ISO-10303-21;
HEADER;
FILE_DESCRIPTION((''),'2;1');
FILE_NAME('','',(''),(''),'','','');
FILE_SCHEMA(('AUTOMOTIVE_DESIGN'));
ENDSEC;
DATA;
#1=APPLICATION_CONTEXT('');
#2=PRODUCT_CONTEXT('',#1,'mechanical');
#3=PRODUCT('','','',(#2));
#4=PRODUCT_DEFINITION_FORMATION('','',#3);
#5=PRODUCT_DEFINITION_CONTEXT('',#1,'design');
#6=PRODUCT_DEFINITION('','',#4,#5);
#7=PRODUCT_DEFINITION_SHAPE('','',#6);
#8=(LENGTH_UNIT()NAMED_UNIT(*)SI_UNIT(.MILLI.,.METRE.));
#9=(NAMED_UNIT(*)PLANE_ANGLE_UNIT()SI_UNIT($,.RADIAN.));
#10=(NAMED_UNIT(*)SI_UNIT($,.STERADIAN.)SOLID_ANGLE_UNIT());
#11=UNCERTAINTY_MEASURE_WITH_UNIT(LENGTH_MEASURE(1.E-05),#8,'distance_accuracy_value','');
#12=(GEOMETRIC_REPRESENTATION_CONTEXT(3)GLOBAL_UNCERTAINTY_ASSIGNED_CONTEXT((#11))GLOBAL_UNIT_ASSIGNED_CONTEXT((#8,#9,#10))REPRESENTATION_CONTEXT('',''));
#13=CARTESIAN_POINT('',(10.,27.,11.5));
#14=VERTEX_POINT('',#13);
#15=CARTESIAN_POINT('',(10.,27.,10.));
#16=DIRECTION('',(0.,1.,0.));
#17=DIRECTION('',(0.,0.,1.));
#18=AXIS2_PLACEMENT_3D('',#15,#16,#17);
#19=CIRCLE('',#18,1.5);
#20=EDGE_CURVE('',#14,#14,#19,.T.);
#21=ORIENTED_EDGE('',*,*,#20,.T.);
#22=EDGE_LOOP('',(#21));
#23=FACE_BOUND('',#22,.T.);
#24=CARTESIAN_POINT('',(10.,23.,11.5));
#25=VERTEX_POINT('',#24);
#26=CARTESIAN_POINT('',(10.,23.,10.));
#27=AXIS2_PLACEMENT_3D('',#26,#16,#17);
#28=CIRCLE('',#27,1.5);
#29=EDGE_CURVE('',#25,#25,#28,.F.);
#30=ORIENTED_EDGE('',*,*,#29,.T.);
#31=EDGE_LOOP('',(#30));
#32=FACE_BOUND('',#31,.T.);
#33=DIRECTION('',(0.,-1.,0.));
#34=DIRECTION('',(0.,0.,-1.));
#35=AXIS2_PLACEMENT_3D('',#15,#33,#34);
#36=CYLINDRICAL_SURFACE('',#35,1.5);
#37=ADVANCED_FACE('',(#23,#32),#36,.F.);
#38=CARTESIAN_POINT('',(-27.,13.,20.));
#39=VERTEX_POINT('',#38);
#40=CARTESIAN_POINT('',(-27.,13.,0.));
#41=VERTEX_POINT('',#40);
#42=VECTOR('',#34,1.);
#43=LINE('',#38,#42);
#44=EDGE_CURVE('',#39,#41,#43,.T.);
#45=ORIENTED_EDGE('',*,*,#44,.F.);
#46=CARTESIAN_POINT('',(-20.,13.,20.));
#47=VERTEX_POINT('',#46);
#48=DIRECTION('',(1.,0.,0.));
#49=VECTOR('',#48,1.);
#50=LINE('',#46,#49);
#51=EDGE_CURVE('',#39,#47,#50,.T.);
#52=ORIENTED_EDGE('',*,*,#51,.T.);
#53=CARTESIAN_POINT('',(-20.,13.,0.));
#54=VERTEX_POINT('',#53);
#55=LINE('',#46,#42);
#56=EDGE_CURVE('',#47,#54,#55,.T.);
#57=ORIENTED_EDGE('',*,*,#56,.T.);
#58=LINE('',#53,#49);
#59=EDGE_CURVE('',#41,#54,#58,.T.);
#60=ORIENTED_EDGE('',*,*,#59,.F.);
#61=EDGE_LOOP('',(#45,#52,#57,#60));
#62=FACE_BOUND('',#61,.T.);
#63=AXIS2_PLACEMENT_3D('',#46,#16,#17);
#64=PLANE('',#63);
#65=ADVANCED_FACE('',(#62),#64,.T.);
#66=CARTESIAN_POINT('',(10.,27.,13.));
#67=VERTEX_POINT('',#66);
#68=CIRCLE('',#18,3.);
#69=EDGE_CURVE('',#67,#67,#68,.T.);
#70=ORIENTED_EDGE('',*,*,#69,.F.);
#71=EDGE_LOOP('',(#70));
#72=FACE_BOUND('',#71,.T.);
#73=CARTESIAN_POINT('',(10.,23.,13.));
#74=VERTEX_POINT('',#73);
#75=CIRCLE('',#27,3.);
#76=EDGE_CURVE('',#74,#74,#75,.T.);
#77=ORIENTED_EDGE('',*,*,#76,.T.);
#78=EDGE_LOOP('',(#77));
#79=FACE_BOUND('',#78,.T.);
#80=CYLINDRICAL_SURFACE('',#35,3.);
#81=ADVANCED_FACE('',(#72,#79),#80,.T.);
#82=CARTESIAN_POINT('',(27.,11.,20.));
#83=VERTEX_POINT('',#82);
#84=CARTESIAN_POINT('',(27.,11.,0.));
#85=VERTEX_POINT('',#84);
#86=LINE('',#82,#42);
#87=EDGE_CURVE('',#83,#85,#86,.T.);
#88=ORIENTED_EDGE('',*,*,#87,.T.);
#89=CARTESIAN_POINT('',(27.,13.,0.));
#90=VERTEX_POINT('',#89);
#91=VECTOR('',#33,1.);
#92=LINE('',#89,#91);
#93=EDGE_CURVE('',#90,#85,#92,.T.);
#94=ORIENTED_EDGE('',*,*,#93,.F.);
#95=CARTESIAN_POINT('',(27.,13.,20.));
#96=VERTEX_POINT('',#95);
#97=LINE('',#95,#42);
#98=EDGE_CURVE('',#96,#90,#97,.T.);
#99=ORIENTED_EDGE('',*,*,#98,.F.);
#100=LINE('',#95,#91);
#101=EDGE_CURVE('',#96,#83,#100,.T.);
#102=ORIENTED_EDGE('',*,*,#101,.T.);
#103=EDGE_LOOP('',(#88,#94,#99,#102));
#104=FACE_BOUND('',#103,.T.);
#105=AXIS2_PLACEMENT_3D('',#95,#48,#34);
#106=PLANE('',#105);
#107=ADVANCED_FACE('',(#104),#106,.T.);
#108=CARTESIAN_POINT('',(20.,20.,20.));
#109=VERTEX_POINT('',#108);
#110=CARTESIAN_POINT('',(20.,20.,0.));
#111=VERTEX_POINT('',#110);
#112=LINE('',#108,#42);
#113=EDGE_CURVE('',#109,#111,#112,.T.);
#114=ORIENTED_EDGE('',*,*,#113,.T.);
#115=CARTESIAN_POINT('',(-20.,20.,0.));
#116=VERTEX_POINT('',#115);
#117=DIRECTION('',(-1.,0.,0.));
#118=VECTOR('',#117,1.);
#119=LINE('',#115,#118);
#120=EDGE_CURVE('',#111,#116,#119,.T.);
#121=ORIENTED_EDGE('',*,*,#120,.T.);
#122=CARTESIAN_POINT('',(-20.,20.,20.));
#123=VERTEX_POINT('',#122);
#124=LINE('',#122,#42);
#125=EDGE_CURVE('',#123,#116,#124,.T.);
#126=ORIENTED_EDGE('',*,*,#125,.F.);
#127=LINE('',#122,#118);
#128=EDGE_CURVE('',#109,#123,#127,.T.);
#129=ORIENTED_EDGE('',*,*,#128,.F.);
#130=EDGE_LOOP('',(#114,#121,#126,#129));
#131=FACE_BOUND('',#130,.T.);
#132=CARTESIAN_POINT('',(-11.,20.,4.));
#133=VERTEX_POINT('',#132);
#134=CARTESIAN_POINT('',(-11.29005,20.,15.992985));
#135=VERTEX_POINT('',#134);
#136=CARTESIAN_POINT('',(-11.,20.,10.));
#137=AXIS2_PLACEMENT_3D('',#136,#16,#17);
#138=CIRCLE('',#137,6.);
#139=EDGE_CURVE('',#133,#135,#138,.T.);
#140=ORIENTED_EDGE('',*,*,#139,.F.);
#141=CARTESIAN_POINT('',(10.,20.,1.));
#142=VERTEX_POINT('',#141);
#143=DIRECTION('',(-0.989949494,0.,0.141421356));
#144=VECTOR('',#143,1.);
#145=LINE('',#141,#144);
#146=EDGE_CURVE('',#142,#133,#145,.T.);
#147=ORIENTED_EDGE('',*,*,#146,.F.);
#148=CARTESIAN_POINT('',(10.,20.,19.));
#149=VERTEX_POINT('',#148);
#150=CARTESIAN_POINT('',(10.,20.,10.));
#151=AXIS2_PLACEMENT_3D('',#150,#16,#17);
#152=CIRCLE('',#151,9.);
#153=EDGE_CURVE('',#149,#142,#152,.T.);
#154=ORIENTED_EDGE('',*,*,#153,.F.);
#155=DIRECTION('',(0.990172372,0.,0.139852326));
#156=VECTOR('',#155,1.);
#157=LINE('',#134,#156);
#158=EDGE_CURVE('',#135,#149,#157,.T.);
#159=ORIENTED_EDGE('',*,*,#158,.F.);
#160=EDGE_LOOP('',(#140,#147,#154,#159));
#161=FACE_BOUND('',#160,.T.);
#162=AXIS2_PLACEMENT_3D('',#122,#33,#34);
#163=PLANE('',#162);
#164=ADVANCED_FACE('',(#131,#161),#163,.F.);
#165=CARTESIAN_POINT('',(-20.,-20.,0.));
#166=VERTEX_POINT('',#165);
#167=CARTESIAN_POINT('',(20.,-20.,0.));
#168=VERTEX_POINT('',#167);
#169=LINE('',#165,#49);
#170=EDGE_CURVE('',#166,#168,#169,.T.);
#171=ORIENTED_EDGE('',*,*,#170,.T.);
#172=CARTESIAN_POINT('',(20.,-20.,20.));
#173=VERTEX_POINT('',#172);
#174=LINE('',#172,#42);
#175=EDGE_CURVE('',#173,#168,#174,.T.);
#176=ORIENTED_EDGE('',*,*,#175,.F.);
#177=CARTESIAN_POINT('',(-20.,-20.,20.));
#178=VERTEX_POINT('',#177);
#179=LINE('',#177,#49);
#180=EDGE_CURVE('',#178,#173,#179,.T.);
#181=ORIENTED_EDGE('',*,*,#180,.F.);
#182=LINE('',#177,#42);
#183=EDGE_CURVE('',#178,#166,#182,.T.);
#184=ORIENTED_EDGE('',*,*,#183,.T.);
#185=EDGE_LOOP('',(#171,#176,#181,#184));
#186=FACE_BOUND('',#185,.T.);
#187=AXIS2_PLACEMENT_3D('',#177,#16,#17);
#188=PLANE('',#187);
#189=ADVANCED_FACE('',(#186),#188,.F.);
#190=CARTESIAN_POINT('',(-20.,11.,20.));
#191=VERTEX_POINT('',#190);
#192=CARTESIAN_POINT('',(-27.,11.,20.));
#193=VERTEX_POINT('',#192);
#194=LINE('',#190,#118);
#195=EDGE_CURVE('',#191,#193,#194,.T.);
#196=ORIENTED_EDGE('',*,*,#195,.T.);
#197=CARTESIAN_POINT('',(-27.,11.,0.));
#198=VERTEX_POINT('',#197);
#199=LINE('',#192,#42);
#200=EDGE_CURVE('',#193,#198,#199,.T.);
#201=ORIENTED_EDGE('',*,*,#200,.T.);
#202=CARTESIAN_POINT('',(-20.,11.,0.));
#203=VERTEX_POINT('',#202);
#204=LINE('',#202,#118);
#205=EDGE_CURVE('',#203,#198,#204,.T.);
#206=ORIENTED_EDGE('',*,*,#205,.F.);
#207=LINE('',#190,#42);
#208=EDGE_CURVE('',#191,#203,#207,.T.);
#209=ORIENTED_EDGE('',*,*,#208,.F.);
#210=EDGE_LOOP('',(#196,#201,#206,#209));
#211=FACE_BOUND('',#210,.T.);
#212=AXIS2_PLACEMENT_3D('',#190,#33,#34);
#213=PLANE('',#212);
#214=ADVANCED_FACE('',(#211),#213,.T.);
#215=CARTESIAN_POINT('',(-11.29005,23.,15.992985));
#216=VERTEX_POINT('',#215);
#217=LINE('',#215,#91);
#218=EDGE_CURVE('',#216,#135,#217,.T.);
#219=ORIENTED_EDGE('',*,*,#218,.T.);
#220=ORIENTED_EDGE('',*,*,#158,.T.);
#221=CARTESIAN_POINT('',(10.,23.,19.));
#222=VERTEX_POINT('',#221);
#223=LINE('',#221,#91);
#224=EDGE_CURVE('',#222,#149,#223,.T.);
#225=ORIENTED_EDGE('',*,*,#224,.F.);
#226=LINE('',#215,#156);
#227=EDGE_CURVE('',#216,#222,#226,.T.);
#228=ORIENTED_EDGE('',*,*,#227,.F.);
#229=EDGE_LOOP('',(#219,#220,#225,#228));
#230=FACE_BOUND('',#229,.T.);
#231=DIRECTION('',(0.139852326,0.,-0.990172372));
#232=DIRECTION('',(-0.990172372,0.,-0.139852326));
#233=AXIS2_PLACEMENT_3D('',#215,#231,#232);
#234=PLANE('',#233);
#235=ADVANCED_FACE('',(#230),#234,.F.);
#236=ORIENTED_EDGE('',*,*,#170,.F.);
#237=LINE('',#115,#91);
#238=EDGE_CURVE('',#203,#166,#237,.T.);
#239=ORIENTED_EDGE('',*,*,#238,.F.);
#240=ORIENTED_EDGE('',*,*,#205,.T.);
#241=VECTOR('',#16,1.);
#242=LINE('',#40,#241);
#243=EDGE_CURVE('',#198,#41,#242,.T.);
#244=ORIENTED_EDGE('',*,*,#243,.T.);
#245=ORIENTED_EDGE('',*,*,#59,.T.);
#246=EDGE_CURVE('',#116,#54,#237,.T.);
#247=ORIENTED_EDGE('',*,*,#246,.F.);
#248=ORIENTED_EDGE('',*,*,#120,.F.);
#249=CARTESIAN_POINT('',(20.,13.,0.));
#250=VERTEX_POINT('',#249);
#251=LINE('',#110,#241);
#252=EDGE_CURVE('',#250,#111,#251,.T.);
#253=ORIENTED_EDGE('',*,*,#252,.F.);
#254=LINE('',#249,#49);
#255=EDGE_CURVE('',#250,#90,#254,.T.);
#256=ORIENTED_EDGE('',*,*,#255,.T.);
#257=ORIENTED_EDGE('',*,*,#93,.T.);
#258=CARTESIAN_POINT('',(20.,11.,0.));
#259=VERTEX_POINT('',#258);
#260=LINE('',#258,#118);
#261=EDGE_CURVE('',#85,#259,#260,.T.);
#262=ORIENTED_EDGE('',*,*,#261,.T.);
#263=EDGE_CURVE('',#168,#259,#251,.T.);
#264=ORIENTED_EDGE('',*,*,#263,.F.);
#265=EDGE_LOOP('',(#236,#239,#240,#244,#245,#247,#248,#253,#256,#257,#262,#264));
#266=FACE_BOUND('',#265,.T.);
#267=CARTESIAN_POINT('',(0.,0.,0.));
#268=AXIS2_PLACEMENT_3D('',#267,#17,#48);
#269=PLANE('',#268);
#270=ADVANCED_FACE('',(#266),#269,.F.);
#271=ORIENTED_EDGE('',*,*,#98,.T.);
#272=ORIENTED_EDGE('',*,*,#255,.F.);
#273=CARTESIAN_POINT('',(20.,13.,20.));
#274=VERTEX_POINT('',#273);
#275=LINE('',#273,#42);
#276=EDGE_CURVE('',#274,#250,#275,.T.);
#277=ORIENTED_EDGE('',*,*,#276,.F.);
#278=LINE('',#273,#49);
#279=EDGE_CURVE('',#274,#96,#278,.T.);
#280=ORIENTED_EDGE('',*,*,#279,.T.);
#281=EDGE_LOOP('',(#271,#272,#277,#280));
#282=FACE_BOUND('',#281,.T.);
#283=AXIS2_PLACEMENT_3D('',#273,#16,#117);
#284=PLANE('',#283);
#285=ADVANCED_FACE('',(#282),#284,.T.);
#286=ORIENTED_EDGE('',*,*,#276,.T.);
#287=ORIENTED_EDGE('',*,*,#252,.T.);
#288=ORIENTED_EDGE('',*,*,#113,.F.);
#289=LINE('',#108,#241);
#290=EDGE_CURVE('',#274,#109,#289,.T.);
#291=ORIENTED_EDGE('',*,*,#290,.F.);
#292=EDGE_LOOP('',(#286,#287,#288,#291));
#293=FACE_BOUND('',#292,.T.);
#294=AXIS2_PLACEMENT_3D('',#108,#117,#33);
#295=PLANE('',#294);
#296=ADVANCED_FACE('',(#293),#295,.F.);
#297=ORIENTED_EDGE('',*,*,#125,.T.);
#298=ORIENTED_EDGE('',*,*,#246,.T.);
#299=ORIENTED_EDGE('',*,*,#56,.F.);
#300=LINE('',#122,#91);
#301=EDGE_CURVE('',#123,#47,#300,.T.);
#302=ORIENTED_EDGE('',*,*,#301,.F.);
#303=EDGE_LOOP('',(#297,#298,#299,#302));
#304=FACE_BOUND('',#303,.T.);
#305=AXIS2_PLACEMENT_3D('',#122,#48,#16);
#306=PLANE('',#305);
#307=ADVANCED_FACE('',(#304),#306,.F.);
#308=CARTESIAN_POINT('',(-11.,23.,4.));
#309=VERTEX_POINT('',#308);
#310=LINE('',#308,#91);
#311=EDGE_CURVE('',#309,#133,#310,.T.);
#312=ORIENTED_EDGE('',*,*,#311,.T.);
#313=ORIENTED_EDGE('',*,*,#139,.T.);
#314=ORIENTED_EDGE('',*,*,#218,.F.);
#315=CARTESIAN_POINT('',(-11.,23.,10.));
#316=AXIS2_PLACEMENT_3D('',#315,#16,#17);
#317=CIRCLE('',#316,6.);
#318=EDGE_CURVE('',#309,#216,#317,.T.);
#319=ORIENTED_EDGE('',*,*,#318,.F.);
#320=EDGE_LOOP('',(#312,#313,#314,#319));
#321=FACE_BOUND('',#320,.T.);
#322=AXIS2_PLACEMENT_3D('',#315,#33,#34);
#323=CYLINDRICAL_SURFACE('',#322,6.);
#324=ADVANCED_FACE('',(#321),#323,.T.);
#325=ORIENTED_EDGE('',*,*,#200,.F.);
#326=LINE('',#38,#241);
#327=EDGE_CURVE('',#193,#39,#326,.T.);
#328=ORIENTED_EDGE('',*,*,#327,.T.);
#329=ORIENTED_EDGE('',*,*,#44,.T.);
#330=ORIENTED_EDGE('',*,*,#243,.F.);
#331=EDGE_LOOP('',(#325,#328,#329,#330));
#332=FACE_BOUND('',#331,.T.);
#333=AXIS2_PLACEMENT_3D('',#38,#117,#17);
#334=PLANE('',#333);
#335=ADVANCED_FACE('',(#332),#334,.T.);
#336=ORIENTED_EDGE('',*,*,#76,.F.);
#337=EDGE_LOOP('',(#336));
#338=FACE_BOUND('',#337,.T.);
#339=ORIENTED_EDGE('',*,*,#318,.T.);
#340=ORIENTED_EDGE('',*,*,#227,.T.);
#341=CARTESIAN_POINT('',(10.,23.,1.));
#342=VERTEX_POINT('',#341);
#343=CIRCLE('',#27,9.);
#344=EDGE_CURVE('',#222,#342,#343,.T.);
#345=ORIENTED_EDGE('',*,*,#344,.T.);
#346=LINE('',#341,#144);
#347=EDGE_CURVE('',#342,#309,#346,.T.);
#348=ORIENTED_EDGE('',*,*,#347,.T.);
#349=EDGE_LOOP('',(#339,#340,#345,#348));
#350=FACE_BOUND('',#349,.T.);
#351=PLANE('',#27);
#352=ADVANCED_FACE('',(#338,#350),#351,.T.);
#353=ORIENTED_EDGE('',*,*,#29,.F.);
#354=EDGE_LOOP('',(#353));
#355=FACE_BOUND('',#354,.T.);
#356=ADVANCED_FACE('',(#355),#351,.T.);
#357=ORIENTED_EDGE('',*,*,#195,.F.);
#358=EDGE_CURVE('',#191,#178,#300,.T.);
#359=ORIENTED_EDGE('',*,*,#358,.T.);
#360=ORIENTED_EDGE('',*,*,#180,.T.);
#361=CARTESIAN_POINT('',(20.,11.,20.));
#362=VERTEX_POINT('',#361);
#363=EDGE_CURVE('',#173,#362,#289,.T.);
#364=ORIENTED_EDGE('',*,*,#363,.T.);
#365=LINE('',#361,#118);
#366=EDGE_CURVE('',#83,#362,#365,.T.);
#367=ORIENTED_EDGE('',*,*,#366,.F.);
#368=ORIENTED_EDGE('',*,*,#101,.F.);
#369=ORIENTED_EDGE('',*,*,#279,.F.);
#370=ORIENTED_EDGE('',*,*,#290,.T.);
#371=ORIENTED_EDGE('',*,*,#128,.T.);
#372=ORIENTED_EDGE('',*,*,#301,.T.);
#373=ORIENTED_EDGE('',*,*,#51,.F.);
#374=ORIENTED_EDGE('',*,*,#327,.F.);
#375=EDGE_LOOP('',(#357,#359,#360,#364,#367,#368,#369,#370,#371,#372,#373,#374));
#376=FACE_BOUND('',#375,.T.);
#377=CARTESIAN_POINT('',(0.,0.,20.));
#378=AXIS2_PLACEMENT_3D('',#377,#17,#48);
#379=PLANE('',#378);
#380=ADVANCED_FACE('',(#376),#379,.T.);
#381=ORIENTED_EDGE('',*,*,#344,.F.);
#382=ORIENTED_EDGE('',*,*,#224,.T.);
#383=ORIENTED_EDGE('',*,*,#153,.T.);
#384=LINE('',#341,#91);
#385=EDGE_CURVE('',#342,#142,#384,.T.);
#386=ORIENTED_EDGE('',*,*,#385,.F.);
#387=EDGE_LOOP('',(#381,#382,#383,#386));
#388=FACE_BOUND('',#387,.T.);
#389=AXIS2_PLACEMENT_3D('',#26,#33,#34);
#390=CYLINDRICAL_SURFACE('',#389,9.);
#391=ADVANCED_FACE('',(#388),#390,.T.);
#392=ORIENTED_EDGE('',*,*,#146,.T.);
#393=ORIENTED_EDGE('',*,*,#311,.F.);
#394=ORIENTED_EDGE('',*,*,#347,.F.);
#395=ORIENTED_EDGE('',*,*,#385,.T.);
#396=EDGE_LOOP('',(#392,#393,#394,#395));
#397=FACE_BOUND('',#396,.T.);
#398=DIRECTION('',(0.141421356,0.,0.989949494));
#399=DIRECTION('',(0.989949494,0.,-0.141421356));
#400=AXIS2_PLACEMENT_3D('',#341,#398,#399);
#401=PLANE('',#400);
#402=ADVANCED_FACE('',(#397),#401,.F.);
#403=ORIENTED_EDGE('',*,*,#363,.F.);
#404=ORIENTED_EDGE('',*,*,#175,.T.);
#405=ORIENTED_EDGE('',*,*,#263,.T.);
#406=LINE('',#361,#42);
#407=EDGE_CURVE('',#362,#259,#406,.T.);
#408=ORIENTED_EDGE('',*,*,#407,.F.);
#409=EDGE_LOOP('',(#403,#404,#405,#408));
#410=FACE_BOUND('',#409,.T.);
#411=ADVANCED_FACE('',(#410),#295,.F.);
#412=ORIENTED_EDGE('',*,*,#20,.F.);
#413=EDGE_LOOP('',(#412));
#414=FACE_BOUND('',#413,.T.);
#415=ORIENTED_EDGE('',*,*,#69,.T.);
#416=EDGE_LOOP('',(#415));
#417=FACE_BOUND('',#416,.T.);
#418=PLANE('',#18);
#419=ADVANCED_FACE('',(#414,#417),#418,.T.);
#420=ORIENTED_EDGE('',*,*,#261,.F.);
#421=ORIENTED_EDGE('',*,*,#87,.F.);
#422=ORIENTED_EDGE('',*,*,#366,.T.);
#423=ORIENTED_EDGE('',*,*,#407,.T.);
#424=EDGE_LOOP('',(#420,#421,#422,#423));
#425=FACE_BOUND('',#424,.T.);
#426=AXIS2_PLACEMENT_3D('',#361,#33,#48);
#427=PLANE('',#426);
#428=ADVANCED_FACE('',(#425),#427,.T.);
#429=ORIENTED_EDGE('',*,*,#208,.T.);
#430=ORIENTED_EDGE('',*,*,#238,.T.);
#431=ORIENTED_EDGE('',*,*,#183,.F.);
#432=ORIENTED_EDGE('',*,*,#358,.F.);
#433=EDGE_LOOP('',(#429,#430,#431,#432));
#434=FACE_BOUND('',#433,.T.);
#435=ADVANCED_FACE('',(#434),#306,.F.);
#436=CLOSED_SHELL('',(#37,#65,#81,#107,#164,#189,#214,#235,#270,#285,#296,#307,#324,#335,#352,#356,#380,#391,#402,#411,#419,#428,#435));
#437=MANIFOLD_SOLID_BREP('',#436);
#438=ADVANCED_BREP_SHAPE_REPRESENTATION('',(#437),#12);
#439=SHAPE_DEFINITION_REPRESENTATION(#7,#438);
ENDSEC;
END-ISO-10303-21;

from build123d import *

# Parameters (mm, degrees)
SKETCH_1_W      = 40
SKETCH_1_H      = 40
EXTRUDE_1_DEPTH = 20
EXTRUDE_2_DEPTH = 3
SKETCH_5_R      = 3
SKETCH_5_R_2    = 1.5
EXTRUDE_3_DEPTH = 4
SKETCH_6_W      = 7
SKETCH_6_H      = 2
EXTRUDE_4_DEPTH = 20


with BuildPart() as part:
    # 草图1 → 凸台-拉伸1 (new body)
    with BuildSketch(Plane.XY):
        Rectangle(SKETCH_1_W, SKETCH_1_H)
    extrude(amount=EXTRUDE_1_DEPTH)

    # 草图2 → 凸台-拉伸2 (add)
    with BuildSketch(Plane(origin=(0, 20, 0), x_dir=(1, 0, 0), z_dir=(0, 1, 0))):
        with BuildLine():
            Line((10, -1), (-11, -4))
            ThreePointArc((-11, -4), (-16.99824603, -9.854932566), (-11.290050053, -15.992985147))
            Line((-11.290050053, -15.992985147), (10, -19))
            ThreePointArc((10, -19), (19, -10), (10, -1))
        make_face()
    extrude(amount=EXTRUDE_2_DEPTH)

    # 草图5 → 凸台-拉伸3 (add)
    with BuildSketch(Plane(origin=(0, 23, 0), x_dir=(1, 0, 0), z_dir=(0, 1, 0))):
        with Locations(Location((10, -10, 0), (0, 0, 270))):
            Circle(SKETCH_5_R)
        with Locations(Location((10, -10, 0), (0, 0, 270))):
            Circle(SKETCH_5_R_2, mode=Mode.SUBTRACT)
    extrude(amount=EXTRUDE_3_DEPTH)

    # 草图6 → 凸台-拉伸4 (add)
    with BuildSketch(Plane(origin=(0, 0, 0), x_dir=(-1, 0, 0), z_dir=(0, 0, -1))):
        with Locations((-23.5, 12)):
            Rectangle(SKETCH_6_W, SKETCH_6_H)
        with Locations((23.5, 12)):
            Rectangle(SKETCH_6_W, SKETCH_6_H)
    extrude(amount=-EXTRUDE_4_DEPTH)


solid = part.part
